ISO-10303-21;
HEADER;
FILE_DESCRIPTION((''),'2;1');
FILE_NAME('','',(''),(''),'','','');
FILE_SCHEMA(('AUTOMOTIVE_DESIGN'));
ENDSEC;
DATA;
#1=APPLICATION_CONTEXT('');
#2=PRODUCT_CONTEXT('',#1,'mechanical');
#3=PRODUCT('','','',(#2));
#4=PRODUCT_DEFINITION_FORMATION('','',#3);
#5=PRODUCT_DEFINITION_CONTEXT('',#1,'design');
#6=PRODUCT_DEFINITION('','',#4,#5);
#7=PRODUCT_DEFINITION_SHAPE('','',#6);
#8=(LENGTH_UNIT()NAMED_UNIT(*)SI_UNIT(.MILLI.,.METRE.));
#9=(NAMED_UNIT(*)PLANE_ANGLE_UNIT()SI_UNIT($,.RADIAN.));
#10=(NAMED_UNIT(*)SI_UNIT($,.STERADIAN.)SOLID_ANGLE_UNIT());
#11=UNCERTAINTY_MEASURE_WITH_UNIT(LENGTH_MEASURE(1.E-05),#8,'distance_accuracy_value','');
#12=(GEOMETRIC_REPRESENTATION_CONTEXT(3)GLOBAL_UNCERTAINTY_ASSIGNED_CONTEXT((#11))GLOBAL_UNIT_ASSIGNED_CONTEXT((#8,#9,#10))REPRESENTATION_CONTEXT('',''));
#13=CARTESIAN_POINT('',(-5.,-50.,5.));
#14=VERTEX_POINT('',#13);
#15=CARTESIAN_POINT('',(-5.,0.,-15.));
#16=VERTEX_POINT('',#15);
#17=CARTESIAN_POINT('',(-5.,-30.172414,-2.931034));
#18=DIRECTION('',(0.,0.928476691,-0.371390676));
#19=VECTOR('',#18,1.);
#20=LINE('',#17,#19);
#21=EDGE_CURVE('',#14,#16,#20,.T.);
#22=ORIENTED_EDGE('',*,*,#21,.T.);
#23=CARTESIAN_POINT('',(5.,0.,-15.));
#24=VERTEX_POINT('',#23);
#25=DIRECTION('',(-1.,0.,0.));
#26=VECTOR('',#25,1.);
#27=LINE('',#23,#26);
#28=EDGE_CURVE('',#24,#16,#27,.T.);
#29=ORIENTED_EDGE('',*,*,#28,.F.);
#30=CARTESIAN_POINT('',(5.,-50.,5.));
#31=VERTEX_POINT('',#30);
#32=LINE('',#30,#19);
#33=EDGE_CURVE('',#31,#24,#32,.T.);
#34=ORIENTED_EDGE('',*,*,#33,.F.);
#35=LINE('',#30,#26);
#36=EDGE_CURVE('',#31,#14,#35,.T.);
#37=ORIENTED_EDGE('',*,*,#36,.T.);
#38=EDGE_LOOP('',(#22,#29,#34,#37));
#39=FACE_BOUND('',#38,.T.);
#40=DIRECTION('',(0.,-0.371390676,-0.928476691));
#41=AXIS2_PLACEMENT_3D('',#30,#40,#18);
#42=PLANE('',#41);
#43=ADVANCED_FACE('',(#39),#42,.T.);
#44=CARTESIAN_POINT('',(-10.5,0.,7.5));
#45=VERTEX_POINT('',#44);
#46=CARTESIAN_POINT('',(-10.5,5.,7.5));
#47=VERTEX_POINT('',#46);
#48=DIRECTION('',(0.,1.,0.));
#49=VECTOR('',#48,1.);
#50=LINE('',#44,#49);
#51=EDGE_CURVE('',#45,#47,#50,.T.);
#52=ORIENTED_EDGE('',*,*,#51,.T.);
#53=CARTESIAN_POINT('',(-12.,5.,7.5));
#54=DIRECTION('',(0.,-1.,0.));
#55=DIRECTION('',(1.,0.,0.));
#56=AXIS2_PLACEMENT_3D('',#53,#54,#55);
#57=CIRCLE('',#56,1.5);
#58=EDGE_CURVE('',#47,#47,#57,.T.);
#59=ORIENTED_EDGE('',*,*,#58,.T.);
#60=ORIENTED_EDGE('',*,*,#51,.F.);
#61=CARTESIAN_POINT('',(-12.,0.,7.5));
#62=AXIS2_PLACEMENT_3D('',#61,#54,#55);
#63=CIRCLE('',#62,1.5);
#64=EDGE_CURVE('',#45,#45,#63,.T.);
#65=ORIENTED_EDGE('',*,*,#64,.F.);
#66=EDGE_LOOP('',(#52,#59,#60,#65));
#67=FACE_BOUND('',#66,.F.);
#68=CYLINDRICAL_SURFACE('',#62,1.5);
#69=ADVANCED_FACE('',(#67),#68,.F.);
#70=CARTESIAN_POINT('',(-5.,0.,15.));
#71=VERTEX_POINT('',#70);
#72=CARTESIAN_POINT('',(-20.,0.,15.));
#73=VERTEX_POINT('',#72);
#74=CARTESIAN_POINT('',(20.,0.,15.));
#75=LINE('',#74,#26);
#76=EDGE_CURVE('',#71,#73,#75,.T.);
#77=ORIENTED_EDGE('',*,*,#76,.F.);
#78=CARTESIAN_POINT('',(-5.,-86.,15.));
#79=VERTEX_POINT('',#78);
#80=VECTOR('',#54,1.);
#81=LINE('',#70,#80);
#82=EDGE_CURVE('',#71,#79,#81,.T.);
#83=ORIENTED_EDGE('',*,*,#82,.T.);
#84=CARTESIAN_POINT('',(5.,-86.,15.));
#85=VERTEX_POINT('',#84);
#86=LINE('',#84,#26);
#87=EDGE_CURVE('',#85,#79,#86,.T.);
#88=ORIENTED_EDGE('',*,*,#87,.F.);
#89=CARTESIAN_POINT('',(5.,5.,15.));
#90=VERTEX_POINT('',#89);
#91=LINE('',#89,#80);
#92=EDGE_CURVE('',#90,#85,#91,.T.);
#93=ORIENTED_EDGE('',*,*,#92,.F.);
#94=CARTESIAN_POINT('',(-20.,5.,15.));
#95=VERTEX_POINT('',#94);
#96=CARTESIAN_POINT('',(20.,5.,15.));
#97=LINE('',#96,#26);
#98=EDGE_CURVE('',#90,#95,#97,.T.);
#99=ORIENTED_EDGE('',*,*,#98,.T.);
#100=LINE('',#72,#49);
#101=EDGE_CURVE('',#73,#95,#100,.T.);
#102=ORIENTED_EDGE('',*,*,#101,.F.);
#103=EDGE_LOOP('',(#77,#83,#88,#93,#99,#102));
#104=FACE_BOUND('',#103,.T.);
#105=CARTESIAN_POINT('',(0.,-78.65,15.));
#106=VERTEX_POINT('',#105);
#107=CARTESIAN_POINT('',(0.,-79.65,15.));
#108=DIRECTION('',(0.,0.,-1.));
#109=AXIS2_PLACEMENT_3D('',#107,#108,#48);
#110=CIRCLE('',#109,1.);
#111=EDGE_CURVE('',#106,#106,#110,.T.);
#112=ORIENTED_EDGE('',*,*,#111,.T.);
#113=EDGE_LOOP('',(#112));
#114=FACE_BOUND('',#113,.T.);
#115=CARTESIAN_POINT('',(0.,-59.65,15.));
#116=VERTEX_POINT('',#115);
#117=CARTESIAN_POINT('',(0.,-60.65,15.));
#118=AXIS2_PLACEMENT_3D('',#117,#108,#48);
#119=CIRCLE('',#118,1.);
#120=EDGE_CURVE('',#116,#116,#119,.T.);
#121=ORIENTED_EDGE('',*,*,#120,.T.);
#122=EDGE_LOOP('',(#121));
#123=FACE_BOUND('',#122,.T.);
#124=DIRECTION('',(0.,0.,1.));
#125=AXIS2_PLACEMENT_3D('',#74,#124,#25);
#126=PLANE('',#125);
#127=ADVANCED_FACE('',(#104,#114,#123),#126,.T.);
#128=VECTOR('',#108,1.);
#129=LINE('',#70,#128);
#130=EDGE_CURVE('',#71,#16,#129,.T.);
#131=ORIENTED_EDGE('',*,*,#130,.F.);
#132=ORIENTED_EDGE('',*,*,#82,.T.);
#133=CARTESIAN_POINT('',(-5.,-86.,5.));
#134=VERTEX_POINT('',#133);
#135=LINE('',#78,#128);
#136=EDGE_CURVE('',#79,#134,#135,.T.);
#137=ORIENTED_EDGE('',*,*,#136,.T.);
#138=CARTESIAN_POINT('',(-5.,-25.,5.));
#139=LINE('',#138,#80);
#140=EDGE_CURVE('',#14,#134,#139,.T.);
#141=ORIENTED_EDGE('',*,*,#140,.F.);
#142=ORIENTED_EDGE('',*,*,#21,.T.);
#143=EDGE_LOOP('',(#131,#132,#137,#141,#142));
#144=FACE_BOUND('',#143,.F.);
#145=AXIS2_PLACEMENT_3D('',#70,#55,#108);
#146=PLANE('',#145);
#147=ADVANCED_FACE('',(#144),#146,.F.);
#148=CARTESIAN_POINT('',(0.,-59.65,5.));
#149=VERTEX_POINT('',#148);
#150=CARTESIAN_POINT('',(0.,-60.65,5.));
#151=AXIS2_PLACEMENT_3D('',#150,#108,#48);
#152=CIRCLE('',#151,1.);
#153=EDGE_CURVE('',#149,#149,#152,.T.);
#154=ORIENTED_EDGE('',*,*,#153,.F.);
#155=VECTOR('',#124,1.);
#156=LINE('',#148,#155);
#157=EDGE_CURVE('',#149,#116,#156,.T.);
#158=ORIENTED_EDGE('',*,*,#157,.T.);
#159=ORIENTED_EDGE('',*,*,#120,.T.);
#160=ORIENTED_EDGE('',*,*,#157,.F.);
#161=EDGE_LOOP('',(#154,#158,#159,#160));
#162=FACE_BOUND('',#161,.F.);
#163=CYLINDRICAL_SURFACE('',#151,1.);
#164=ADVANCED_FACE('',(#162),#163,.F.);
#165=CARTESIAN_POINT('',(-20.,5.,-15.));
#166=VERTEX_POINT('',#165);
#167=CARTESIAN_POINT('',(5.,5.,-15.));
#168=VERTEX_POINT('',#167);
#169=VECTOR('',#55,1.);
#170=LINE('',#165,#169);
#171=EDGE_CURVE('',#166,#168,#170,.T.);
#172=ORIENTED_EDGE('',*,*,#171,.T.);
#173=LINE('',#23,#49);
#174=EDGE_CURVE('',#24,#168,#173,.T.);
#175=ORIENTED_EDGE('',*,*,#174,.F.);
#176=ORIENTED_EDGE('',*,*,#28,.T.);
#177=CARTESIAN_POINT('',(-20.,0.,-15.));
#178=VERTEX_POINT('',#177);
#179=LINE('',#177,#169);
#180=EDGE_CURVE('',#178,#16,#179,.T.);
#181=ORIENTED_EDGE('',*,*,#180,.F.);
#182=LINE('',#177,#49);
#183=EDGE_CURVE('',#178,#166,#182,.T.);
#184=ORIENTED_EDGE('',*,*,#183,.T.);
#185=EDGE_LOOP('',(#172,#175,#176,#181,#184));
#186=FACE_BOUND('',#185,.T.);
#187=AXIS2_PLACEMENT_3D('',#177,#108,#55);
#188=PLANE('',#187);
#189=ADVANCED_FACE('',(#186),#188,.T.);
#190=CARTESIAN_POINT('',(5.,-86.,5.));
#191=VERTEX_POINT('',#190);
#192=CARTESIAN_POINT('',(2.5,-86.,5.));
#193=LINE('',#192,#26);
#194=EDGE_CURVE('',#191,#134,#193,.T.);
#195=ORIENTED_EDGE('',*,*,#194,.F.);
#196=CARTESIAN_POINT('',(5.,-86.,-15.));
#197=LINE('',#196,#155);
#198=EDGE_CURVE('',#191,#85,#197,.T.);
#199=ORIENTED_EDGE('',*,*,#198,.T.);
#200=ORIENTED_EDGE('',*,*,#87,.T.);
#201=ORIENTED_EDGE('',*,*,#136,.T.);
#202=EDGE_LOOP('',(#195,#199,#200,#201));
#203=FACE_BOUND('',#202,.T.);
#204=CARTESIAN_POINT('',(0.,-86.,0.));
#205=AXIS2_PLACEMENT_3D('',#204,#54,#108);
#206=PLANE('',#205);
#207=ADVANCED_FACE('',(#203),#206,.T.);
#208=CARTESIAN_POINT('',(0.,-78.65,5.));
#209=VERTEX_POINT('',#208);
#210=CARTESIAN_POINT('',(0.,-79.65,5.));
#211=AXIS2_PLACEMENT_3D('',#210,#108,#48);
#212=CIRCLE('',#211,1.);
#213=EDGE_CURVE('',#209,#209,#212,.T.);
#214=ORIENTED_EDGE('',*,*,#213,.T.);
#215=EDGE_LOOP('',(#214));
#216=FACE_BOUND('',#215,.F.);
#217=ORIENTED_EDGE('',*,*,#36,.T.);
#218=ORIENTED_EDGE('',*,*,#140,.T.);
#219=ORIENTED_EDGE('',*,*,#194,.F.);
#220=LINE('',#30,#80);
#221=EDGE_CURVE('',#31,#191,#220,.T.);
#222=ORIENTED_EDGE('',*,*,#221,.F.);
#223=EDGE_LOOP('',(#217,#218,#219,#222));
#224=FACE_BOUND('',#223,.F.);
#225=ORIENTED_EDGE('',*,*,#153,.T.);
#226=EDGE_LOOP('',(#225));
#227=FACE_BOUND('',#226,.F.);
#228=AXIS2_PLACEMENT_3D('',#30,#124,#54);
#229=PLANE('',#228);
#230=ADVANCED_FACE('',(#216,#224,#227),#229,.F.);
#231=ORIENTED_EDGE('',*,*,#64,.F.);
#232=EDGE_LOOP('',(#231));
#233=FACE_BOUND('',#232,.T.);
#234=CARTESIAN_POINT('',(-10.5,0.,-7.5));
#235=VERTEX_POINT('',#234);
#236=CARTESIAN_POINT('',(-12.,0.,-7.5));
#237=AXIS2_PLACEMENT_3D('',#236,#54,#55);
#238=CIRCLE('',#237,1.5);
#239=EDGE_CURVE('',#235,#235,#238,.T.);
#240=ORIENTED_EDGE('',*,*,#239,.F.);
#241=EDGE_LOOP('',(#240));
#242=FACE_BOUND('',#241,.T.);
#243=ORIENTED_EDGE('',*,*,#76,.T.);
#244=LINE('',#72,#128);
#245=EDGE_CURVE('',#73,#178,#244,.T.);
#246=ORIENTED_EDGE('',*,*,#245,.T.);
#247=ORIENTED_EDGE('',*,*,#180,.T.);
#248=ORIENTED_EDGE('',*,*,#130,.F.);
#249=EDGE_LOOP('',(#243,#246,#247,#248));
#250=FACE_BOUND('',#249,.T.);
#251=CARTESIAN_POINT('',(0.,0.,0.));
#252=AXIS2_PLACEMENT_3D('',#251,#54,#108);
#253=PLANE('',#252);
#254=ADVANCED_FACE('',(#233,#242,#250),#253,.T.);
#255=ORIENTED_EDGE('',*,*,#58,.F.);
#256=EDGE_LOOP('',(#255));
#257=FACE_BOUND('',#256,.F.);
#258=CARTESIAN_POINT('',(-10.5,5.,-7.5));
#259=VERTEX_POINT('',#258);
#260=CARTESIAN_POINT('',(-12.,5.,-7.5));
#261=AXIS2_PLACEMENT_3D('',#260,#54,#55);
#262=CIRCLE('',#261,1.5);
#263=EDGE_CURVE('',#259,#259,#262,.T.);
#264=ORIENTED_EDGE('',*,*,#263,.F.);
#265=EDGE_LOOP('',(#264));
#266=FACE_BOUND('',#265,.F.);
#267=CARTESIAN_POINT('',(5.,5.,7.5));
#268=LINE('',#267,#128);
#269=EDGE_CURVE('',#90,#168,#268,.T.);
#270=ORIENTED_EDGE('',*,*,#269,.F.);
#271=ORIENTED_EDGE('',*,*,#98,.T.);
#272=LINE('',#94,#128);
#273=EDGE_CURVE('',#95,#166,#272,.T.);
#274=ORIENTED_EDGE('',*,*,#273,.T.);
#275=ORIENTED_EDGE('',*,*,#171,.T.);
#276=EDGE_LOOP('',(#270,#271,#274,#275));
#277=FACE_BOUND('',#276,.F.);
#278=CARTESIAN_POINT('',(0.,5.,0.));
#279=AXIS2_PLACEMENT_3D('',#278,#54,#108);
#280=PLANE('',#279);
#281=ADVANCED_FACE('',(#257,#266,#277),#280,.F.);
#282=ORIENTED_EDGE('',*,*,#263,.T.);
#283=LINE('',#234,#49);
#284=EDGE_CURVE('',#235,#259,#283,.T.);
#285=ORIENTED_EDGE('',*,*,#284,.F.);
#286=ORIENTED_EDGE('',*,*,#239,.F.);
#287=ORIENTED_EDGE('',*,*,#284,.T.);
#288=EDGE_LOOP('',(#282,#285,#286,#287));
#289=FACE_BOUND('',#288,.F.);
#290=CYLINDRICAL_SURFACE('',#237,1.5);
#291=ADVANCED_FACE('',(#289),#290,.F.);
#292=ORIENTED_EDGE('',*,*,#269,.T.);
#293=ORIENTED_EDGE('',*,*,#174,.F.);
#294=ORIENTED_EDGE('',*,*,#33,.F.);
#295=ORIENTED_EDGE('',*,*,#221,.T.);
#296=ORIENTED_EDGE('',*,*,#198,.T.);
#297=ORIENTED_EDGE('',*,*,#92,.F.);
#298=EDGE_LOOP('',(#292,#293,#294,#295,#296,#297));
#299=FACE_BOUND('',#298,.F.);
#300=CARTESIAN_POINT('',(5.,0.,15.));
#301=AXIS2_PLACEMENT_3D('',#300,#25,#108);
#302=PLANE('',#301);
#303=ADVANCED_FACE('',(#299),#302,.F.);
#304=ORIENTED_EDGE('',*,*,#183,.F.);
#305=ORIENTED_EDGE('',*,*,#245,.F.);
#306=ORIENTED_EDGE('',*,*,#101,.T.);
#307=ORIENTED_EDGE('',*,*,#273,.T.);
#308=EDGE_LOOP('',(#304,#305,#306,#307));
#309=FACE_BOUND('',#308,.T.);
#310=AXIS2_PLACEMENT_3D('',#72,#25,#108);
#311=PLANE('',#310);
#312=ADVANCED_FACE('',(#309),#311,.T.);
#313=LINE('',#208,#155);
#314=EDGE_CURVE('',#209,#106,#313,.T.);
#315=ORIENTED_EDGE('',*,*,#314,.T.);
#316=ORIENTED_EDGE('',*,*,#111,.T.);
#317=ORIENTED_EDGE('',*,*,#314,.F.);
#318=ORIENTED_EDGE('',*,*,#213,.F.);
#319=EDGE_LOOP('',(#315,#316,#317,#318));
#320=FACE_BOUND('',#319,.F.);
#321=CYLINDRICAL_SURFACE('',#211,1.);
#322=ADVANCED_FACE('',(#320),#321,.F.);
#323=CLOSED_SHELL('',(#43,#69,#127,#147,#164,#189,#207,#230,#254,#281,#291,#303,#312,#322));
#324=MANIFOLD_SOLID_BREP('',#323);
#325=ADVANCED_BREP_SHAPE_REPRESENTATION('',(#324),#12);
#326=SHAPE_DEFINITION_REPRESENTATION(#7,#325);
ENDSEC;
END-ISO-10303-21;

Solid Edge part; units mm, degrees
sketch "Sketch1" plane through (0, 0, 0) normal (0, -1, 0) x (1, 0, 0)
  line L0 (-20, -15) -> (20, -15)
  line L1 (20, -15) -> (20, 15)
  line L2 (20, 15) -> (-20, 15)
  line L3 (-20, 15) -> (-20, -15)
  dimension "D1" = 40
  dimension "D2" = 30
extrude "Protrusion1" add sketch "Sketch1" against normal blind 5
sketch "Sketch2" plane through (0, 0, 0) normal (0, -1, 0) x (1, 0, 0)
  line L0 (-5, -15) -> (5, -15)
  line L1 (5, -15) -> (5, 15)
  line L2 (5, 15) -> (-5, 15)
  line L3 (-5, 15) -> (-5, -15)
extrude "Extrusionsausprägung_2" add sketch "Sketch2" along normal blind 86
sketch "Sketch3" plane through (5, -37.5, 0) normal (1, 0, 0) x (0, 1, 0)
  line L0 (-52.5, 5) -> (-52.5, -15)
  line L1 (-12.5, 5) -> (-52.5, 5)
  line L2 (-12.5, 5) -> (37.5, -15)
  line L3 (37.5, -15) -> (-48.5, -15)
  dimension "D1" = 20
  dimension "D2" = 40
extrude "Cutout1" cut sketch "Sketch3" against normal through all material side at (5, -89.95, -5)
sketch "Sketch4" plane through (0, -55, 5) normal (0, 0, -1) x (0, 1, 0)
  circle A0 centre (-5.65, 0) radius 1
  circle A1 centre (-24.65, 0) radius 1
  dimension "D1" = 19
  dimension "D2" = 2
  dimension "D3" = 5
  dimension "D4" = 60.65
extrude "Cutout2" cut sketch "Sketch4" against normal through all
sketch "Sketch5" plane through (-12.5, 0, 0) normal (0, -1, 0) x (1, 0, 0)
  circle A0 centre (0.5, 7.5) radius 1.5
  circle A1 centre (0.5, -7.5) radius 1.5
  dimension "D1" = 3
  dimension "D2" = 15
  dimension "D3" = 7.5
  dimension "D4" = 12
extrude "Cutout3" cut sketch "Sketch5" against normal through all
sketch "Sketch6" plane through (12.5, 0, 0) normal (0, -1, 0) x (1, 0, 0)
  line L0 (7.5, 15) -> (-7.5, 15)
  line L1 (-7.5, 15) -> (-7.5, -15)
  line L2 (-7.5, -15) -> (7.5, -15)
  line L3 (7.5, -15) -> (7.5, 15)
extrude "Cutout4" cut sketch "Sketch6" against normal through all
properties material "Nylon, allgemein"
